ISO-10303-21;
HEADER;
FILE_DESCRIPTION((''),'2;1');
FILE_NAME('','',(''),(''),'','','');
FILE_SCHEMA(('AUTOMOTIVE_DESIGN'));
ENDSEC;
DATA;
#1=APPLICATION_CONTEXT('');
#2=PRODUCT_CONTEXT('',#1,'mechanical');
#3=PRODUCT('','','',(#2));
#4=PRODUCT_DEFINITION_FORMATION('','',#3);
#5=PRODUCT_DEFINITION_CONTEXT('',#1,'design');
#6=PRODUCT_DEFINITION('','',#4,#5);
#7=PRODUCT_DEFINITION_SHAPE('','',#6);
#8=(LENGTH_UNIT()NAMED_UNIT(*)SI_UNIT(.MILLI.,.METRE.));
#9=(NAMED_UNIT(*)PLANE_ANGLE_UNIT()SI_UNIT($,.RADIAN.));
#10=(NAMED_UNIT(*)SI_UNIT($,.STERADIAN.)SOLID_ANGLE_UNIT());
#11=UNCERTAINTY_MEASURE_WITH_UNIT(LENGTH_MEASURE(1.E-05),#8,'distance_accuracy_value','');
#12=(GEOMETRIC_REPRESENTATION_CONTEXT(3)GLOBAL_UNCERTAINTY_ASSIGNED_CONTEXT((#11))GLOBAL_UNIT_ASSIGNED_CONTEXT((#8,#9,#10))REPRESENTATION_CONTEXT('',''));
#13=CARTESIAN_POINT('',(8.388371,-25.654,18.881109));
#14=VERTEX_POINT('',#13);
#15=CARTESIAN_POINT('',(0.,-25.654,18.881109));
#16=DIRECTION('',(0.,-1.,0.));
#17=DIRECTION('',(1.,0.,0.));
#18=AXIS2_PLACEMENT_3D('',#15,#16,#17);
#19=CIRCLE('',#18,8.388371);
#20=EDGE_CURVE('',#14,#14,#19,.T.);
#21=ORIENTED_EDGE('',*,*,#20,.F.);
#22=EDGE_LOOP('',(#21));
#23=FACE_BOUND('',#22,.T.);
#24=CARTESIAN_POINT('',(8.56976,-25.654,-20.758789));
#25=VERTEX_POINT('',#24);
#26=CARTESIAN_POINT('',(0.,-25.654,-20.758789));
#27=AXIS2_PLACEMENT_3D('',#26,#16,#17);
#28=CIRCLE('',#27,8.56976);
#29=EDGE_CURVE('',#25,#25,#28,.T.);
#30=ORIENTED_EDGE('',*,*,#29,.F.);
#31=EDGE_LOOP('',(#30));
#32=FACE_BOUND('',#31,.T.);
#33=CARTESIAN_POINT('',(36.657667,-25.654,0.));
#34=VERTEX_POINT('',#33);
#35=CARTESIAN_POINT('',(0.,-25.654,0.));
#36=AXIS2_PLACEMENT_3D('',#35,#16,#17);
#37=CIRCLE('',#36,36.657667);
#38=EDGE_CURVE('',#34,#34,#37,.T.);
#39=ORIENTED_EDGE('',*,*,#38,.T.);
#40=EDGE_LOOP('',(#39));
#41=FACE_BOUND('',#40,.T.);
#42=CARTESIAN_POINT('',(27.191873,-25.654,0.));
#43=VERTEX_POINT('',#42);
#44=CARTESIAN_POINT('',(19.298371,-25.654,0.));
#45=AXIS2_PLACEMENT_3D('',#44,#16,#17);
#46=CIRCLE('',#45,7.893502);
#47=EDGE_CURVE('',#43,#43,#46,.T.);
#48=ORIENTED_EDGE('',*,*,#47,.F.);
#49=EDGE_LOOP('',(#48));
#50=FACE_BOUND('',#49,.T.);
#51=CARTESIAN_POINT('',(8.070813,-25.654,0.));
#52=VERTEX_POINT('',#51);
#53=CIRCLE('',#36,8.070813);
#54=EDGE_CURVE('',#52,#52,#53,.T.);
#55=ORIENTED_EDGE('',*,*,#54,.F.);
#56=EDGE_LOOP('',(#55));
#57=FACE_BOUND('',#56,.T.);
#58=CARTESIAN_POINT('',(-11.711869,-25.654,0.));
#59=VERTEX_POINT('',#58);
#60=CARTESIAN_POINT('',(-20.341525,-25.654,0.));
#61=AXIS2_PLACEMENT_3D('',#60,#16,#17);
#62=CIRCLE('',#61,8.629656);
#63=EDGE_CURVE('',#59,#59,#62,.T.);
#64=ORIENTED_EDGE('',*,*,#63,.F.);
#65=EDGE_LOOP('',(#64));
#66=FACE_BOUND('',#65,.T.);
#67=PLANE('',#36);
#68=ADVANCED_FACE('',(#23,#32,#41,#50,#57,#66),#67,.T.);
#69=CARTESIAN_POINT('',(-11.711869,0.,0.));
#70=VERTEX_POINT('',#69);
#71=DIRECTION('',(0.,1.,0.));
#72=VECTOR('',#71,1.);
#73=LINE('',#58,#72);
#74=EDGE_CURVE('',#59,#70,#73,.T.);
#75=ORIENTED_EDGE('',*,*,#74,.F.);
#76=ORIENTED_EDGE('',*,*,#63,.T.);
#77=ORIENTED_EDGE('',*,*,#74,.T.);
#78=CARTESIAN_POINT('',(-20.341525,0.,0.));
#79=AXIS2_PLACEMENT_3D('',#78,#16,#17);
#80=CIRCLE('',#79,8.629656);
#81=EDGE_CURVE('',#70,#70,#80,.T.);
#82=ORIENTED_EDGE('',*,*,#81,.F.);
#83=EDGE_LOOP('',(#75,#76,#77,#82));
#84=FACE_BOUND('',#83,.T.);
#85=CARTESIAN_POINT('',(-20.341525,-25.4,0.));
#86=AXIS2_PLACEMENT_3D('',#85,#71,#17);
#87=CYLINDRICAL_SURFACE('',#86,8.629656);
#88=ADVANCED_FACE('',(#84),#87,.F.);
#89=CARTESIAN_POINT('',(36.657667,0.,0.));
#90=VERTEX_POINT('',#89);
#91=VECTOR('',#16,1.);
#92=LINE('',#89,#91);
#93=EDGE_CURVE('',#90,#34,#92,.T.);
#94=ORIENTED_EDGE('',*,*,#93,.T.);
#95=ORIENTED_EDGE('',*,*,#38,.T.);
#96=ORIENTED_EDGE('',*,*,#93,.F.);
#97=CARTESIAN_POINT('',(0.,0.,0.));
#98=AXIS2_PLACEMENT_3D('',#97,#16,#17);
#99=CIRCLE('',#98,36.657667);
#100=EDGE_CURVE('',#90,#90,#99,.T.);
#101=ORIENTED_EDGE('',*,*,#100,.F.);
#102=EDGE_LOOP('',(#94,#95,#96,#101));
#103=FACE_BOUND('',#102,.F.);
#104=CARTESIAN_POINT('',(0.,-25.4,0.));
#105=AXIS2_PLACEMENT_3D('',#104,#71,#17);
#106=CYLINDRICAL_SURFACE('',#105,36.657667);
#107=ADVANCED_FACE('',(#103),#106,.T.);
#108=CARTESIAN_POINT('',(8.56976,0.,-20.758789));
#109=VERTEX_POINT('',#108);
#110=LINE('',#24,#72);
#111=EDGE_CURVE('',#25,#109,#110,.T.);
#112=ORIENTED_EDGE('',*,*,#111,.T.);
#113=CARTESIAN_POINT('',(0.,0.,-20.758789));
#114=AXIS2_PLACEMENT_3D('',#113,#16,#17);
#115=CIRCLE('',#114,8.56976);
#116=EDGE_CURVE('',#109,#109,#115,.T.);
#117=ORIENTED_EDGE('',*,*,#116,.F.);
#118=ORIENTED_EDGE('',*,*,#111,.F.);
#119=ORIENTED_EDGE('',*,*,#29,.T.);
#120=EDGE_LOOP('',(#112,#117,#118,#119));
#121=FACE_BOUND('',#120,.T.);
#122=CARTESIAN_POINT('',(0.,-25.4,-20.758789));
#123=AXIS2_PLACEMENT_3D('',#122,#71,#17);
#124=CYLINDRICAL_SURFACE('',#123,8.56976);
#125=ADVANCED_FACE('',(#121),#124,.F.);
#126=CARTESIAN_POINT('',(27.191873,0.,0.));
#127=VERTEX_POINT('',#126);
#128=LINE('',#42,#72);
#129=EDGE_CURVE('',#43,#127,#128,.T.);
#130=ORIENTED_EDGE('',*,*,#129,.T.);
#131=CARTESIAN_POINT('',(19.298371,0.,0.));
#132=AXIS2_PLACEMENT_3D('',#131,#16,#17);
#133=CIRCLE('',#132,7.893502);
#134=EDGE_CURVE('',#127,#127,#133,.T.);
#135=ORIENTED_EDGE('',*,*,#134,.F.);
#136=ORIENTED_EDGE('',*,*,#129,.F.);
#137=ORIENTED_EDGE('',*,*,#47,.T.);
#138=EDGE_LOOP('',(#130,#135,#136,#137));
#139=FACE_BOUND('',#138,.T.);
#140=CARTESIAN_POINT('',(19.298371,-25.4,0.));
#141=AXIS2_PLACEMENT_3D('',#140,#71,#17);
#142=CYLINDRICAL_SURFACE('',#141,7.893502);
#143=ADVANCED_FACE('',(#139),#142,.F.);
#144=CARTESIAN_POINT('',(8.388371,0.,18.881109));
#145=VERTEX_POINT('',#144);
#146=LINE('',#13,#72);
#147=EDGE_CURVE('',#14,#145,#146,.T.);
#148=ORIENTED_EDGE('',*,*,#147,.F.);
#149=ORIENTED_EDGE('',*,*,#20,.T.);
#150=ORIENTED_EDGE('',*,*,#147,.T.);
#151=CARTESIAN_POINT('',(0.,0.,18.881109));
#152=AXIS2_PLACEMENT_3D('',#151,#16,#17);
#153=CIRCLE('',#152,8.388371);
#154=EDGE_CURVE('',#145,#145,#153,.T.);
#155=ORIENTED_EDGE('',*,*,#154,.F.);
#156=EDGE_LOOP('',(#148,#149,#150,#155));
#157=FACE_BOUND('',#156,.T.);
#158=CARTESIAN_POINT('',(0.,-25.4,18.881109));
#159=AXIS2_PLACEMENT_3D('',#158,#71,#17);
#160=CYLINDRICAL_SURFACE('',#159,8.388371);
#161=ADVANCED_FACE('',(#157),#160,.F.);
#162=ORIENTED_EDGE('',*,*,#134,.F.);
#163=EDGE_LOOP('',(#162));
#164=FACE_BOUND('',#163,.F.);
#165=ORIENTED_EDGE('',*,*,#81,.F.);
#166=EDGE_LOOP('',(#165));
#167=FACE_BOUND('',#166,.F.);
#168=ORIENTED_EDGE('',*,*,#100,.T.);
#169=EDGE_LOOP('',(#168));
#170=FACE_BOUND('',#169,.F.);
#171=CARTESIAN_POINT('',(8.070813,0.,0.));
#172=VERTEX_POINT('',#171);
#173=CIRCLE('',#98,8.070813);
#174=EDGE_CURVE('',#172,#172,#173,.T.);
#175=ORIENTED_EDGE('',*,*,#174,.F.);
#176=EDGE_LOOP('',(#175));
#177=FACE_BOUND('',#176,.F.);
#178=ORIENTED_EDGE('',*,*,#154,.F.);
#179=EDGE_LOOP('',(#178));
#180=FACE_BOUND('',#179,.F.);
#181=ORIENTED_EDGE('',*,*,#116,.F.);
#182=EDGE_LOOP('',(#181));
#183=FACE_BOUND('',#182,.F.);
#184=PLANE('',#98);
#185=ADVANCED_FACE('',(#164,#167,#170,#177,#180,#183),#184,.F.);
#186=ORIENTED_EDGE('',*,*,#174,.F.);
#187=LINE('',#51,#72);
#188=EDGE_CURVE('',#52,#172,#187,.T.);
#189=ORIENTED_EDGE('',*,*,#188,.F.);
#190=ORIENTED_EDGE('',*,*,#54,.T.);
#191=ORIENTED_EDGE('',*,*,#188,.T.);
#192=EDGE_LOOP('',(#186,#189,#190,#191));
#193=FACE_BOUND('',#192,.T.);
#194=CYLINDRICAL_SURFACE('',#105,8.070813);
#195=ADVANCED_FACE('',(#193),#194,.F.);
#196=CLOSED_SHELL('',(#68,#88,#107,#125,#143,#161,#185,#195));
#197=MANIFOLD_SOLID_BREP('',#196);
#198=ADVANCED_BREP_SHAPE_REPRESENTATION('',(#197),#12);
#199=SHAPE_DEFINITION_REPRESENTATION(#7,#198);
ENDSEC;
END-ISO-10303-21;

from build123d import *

# Parameters (mm, degrees)
F0_R     = 36.6576669804
F0_R_2   = 32.6402559025
F0_R_3   = 8.5697598479
F0_R_4   = 8.6296556848
F0_R_5   = 8.0708127358
F0_R_6   = 7.8935022325
F0_R_7   = 8.3883706744
F1_DEPTH = 25.4
F2_DEPTH = 0.254


with BuildPart() as f1:
    # F0 (on Front) → F1 (new body)
    with BuildSketch(Plane.XZ):
        Circle(F0_R)
        Circle(F0_R_2, mode=Mode.SUBTRACT)
        Circle(F0_R_2)
        with Locations((0, -20.7587890327)):
            Circle(F0_R_3, mode=Mode.SUBTRACT)
        with Locations((-20.3415248543, 0)):
            Circle(F0_R_4, mode=Mode.SUBTRACT)
        Circle(F0_R_5, mode=Mode.SUBTRACT)
        with Locations((19.2983709276, 0)):
            Circle(F0_R_6, mode=Mode.SUBTRACT)
        with Locations((0, 18.8811086118)):
            Circle(F0_R_7, mode=Mode.SUBTRACT)
    extrude(amount=F1_DEPTH)

    # F2 (add): a face of the model
    f2_faces = [f1.faces().sort_by_distance(p)[0] for p in [
        (-9.6065952441, -25.4, -20.7587890327),
    ]]
    extrude(f2_faces, amount=F2_DEPTH)


solid = f1.part
